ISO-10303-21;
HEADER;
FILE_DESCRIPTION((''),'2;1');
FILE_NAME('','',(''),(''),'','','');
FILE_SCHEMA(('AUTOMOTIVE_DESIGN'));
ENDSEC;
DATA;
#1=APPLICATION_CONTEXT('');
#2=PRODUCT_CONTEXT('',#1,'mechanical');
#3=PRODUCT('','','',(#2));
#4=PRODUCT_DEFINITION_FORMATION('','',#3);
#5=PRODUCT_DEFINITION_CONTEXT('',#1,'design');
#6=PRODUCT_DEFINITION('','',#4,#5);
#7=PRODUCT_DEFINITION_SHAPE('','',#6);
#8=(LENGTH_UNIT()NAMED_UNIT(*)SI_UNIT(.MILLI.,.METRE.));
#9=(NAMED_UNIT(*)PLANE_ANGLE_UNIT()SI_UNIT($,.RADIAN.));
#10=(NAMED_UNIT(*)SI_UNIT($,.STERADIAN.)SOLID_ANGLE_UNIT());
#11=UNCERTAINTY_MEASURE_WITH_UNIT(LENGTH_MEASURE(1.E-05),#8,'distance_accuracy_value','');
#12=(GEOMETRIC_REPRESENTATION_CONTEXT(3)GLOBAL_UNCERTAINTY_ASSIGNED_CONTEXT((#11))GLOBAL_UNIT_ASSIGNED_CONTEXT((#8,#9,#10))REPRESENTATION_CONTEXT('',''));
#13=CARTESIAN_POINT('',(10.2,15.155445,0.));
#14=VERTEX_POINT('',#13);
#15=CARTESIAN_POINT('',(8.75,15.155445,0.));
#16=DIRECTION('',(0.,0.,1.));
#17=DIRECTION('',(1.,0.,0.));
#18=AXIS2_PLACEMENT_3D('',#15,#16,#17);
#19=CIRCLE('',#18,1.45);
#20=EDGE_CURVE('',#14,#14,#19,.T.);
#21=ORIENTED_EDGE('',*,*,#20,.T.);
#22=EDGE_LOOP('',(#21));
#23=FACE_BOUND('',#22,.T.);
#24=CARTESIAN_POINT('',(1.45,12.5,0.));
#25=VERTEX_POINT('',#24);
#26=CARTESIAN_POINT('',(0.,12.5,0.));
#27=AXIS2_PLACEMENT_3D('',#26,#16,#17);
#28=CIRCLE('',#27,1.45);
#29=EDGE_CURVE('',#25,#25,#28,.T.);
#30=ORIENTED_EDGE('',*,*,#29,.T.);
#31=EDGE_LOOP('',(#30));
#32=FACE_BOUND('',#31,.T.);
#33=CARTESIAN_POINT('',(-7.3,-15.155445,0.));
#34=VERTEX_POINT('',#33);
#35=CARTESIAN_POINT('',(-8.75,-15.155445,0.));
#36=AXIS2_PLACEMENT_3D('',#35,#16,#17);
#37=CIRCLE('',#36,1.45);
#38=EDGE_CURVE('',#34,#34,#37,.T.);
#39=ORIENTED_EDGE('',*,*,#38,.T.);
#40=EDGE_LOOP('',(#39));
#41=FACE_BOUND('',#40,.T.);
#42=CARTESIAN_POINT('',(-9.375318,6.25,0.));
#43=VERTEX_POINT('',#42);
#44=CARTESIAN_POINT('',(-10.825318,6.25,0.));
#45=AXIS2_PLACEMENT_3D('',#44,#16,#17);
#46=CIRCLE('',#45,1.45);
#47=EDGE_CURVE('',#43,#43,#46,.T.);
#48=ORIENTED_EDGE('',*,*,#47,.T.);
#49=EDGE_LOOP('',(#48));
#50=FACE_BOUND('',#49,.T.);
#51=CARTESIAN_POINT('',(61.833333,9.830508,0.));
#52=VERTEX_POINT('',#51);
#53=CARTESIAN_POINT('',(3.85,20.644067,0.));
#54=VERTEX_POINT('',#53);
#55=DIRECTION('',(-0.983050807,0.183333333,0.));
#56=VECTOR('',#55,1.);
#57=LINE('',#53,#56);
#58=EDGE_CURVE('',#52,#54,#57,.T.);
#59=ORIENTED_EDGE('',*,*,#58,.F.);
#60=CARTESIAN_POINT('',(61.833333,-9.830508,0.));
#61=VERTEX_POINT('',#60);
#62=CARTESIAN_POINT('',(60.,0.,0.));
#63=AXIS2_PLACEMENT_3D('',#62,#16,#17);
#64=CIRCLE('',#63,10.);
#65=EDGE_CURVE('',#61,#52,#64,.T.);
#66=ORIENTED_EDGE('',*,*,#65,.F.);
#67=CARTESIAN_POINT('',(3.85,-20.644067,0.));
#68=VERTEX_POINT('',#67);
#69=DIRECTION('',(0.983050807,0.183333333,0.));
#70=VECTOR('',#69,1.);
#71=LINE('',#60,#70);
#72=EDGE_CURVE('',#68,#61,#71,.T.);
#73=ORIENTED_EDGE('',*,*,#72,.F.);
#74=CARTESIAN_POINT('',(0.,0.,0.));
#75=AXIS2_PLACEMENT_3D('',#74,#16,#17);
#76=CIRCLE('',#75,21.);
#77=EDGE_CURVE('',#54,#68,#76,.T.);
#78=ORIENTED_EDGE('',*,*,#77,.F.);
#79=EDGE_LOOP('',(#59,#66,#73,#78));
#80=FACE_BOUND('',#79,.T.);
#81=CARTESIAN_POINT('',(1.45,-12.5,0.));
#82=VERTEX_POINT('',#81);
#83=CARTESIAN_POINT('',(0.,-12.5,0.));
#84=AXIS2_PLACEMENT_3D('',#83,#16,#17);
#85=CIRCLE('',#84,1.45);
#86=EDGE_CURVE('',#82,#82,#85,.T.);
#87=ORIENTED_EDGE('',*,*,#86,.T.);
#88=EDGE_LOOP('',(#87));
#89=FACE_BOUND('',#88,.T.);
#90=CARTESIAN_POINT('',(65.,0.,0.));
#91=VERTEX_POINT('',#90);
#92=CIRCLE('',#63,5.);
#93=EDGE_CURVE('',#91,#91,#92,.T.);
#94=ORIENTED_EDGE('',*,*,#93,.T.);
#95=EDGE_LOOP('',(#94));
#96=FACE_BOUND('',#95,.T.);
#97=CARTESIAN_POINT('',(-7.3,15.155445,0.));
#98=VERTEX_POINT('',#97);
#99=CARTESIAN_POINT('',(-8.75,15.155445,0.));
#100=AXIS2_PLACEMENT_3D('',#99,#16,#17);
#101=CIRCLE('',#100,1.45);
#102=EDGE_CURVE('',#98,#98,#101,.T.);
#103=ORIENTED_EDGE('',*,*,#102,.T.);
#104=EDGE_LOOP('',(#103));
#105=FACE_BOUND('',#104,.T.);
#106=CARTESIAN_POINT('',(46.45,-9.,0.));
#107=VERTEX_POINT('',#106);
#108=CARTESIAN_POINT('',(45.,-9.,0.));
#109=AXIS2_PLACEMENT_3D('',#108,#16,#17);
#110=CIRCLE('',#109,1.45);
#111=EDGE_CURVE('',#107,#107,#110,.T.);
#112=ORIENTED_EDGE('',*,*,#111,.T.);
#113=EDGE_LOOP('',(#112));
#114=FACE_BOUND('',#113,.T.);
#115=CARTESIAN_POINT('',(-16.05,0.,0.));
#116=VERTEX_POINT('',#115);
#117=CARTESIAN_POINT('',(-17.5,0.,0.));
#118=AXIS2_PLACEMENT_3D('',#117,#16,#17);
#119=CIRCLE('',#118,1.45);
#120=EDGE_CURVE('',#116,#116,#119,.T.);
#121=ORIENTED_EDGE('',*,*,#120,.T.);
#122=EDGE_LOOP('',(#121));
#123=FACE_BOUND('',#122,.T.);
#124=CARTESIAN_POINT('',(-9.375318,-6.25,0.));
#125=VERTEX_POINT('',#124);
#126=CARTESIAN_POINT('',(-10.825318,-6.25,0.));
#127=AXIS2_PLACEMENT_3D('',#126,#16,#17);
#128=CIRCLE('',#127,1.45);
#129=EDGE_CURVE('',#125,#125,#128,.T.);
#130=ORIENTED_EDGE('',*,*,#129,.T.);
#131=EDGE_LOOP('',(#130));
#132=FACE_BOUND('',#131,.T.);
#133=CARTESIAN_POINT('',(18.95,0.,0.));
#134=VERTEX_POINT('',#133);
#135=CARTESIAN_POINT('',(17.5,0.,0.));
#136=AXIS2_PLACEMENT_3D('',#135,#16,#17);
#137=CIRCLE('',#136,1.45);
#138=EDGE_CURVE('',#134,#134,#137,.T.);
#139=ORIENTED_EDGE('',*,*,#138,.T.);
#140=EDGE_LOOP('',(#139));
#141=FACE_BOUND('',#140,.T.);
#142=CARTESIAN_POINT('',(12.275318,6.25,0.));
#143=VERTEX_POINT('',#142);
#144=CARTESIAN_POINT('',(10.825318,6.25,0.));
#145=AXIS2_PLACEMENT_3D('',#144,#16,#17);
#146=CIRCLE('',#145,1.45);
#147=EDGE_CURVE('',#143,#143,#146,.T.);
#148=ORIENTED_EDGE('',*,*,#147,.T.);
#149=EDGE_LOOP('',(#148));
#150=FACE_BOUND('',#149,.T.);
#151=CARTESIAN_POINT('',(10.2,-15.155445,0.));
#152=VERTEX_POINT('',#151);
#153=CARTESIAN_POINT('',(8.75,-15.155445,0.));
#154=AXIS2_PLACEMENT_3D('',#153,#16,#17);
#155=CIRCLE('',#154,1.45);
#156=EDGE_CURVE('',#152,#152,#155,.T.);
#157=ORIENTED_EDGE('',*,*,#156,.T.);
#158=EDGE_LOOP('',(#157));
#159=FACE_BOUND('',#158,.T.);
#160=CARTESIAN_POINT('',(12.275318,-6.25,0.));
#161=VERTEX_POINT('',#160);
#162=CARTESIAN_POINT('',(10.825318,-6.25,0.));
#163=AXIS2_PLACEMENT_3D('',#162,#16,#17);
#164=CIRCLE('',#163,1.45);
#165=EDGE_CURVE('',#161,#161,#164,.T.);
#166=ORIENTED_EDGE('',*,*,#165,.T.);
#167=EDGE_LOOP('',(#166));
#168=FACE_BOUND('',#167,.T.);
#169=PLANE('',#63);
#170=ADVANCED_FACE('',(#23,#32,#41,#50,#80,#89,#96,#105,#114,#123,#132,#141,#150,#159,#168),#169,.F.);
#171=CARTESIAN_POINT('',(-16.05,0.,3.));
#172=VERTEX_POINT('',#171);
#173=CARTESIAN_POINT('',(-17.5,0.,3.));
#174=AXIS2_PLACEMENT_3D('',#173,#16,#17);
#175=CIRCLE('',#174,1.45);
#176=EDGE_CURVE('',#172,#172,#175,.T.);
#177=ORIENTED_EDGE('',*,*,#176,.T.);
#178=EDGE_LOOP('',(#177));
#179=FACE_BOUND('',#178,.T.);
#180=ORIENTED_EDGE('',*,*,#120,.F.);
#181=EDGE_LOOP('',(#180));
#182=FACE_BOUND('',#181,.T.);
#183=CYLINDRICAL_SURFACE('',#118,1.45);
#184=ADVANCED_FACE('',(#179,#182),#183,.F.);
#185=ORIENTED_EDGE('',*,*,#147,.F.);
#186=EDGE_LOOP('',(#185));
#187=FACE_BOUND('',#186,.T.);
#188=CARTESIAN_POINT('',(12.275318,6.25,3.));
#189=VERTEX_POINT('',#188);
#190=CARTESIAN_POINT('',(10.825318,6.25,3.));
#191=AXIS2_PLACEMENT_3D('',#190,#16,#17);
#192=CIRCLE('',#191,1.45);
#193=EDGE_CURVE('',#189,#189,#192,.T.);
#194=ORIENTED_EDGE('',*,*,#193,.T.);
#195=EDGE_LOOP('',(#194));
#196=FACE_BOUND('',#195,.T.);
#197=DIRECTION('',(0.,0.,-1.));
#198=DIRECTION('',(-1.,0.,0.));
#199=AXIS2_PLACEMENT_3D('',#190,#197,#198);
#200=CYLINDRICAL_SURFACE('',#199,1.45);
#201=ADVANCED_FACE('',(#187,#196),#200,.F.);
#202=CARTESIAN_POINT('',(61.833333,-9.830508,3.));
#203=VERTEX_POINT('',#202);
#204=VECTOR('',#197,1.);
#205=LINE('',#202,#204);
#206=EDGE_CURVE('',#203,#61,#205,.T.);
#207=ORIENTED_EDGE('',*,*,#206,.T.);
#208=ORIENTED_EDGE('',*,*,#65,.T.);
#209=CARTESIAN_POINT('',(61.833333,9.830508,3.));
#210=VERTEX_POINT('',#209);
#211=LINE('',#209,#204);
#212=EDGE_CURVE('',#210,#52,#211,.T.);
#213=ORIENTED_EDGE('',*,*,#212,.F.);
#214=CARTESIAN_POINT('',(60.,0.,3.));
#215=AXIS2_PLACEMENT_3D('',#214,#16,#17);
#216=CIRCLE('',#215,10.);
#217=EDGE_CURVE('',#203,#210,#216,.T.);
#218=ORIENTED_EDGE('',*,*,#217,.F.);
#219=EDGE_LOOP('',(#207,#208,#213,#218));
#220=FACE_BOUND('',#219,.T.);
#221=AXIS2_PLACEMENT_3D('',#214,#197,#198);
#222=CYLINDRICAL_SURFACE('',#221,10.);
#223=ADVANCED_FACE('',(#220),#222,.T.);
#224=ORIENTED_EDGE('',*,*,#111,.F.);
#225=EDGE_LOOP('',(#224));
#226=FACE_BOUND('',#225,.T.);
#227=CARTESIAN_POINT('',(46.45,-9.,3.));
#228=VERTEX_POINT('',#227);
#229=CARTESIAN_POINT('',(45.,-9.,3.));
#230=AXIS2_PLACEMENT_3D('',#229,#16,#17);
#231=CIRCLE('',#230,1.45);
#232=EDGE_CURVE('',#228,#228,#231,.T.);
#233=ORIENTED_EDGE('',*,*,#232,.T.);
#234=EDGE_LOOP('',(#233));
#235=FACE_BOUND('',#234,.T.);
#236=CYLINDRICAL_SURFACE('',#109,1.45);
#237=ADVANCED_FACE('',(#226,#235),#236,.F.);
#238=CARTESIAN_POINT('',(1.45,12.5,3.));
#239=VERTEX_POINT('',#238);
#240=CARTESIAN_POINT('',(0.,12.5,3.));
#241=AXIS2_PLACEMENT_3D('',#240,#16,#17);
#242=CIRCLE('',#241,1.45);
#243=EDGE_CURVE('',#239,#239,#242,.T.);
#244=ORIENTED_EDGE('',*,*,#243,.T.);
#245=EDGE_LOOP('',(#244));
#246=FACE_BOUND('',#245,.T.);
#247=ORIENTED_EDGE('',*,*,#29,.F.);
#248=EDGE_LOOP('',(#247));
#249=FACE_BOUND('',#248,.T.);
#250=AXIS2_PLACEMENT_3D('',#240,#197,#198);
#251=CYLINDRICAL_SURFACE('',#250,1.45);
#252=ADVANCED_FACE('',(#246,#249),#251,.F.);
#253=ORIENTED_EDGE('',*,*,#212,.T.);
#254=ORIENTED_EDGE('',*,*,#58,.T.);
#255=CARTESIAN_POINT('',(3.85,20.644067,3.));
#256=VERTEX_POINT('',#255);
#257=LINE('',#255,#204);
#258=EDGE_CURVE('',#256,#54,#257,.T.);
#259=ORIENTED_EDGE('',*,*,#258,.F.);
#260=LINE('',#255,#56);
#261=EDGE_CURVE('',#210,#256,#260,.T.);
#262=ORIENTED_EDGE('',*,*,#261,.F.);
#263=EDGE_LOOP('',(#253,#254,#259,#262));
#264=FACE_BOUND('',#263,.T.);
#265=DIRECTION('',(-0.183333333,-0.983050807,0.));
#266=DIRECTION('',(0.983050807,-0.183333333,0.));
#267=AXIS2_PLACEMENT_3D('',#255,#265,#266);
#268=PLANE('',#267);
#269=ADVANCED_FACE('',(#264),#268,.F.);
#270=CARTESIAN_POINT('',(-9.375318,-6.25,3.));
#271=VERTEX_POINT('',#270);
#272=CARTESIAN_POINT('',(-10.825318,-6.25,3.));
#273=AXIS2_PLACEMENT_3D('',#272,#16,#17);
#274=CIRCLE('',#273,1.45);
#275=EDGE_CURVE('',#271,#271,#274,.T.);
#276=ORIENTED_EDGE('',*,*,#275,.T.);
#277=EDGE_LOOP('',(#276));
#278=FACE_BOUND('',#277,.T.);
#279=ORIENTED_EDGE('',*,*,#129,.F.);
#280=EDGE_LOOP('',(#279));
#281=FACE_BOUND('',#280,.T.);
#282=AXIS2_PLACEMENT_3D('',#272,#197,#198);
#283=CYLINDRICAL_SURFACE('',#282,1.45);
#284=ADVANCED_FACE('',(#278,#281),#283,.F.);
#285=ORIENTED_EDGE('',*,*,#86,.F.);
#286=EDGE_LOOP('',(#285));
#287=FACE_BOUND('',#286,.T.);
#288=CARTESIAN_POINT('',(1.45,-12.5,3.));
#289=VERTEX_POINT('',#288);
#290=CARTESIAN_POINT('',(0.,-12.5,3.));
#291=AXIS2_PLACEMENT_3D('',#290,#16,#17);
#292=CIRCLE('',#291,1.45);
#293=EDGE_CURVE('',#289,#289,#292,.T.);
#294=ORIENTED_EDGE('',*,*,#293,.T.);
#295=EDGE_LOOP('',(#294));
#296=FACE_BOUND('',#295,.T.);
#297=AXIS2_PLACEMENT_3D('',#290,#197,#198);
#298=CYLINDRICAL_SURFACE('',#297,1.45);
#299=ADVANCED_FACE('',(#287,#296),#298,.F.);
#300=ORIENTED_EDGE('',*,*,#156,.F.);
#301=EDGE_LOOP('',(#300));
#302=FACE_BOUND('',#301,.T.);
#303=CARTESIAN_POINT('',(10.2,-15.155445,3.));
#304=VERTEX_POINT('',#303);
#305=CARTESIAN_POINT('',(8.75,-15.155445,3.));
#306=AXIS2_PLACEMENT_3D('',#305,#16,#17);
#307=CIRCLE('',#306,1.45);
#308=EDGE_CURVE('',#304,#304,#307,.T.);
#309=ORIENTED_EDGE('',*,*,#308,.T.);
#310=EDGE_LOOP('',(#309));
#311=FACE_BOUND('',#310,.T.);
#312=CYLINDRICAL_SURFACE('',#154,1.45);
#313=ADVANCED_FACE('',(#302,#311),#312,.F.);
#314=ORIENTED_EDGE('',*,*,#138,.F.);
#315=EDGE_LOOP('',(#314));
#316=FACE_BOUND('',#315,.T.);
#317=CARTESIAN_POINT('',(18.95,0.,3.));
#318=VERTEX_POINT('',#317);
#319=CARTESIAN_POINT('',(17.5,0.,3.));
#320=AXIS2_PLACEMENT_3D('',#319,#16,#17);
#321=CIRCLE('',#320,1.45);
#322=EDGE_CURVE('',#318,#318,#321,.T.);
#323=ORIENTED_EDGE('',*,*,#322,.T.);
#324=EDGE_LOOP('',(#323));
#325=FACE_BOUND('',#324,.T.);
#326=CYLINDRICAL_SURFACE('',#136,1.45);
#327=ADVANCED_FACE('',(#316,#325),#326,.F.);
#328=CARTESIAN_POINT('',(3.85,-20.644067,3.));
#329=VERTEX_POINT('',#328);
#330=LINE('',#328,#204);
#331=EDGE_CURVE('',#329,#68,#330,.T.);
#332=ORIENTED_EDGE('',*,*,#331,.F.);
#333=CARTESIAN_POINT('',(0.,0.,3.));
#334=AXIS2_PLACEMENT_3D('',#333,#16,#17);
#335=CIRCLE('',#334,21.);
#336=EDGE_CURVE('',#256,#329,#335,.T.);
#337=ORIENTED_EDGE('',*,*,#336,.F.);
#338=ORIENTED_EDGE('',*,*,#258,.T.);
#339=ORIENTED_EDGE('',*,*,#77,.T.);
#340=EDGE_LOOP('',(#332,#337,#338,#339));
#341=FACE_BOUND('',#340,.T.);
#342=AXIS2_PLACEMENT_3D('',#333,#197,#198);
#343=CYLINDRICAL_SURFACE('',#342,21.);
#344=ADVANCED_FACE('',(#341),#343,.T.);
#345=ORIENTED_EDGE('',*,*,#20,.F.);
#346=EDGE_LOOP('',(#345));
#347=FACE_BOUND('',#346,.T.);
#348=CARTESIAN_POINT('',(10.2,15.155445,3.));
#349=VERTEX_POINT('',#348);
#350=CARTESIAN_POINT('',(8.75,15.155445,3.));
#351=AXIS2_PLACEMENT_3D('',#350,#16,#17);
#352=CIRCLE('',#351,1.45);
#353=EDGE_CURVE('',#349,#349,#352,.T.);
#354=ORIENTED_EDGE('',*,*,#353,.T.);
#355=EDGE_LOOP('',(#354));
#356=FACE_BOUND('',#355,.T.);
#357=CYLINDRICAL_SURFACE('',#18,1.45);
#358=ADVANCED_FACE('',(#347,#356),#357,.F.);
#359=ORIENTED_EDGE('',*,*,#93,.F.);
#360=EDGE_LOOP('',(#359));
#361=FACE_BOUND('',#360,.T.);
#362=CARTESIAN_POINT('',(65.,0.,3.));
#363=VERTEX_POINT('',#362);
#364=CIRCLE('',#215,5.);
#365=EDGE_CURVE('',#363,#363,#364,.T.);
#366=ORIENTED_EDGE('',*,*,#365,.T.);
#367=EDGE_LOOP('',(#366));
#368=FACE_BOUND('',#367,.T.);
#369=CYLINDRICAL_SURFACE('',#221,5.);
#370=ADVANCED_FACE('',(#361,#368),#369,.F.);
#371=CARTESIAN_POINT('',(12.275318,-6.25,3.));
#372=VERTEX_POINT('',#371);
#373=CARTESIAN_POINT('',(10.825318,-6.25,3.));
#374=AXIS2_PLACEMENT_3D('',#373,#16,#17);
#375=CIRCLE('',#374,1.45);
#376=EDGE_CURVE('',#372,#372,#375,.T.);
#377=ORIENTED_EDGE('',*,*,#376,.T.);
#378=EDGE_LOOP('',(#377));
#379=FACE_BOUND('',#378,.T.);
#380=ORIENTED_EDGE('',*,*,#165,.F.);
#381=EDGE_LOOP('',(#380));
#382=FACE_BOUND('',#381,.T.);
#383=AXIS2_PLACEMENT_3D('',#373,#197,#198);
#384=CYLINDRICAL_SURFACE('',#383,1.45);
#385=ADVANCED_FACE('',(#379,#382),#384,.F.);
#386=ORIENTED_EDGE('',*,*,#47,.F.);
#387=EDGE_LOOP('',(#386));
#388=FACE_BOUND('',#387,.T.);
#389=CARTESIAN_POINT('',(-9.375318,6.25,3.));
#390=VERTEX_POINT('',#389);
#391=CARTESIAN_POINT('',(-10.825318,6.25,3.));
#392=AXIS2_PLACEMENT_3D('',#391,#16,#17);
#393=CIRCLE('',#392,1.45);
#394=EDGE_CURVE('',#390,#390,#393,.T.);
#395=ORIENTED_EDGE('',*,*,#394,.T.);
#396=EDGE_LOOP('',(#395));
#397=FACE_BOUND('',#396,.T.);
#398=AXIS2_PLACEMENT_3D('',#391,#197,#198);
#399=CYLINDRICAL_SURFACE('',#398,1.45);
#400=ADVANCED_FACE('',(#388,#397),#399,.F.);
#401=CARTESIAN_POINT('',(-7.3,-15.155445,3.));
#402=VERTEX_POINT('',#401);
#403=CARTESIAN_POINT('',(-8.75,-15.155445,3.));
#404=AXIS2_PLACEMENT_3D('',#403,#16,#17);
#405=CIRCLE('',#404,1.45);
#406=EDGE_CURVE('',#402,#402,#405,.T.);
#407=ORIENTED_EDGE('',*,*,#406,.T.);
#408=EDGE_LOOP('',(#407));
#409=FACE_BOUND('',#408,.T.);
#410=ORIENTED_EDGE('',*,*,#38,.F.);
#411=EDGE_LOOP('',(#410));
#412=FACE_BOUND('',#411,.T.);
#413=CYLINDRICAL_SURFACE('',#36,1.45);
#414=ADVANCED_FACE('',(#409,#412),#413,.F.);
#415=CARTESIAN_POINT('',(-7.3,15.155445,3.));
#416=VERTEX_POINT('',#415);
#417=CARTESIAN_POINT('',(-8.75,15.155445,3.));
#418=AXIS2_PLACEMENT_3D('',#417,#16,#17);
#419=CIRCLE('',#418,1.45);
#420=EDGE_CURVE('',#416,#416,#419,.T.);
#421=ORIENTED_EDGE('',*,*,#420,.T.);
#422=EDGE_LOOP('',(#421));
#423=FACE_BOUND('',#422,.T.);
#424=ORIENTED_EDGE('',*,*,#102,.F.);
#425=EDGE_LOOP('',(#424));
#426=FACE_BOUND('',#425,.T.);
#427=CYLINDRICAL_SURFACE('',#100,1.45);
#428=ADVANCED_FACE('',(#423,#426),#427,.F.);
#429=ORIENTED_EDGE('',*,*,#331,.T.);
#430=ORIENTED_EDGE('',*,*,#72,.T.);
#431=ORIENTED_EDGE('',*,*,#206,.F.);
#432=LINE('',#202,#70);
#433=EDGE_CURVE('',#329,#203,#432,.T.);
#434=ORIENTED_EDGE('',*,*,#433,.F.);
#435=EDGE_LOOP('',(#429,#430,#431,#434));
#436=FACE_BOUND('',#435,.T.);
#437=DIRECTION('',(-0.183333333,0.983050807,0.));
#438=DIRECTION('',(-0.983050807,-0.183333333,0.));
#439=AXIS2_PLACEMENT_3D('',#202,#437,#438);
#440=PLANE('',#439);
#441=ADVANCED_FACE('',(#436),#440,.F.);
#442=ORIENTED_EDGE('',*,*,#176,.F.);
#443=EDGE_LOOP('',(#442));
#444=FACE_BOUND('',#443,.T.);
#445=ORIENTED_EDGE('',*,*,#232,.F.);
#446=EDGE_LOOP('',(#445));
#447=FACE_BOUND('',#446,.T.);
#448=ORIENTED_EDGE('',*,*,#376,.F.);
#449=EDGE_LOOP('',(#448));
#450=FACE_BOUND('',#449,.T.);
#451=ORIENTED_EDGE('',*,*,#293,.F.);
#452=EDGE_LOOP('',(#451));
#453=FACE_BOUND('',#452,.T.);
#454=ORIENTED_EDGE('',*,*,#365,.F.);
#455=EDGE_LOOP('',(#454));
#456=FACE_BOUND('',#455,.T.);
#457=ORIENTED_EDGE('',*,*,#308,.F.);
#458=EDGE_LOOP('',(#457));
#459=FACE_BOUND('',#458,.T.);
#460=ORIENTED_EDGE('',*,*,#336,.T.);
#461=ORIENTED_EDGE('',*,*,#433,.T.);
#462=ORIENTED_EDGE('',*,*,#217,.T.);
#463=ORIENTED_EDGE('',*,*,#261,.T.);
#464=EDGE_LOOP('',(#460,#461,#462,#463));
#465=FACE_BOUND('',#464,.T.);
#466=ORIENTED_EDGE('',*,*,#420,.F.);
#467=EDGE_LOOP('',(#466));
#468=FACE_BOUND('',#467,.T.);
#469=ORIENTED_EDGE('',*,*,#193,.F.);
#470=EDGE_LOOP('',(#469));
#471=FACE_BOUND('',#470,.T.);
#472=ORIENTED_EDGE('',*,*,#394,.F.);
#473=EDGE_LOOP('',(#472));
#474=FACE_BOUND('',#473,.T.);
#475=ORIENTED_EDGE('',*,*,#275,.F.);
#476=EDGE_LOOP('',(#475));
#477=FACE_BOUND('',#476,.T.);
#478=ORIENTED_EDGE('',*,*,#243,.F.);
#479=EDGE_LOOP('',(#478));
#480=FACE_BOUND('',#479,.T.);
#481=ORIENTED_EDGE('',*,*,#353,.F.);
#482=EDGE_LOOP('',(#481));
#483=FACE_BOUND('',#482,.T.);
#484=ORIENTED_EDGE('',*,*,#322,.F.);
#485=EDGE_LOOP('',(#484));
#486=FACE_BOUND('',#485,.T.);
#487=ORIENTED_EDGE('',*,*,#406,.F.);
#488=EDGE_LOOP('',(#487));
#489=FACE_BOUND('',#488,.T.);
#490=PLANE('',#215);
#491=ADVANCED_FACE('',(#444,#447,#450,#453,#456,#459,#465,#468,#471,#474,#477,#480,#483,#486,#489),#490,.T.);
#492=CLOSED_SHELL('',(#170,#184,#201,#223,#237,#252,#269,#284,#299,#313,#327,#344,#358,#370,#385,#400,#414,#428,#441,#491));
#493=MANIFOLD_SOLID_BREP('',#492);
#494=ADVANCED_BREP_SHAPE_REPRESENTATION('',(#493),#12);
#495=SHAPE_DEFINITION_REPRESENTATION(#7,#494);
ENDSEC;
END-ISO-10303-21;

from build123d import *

# Parameters (mm, degrees)
SKETCH_1_R          = 5
SKETCH_1_R_2        = 1.45
EXTRUDE_1_DEPTH     = 3
SKETCH_2_R          = 1.45
CUT_EXTRUDE_1_DEPTH = 74.143694192


with BuildPart() as part:
    # 草图1 → 凸台-拉伸1 (new body)
    with BuildSketch(Plane.XY):
        with BuildLine():
            Line((61.833333333, -9.830508069), (3.85, -20.644066944))
            ThreePointArc((3.85, -20.644066944), (-21, 0), (3.85, 20.644066944))
            Line((3.85, 20.644066944), (61.833333333, 9.830508069))
            ThreePointArc((61.833333333, 9.830508069), (70, 0), (61.833333333, -9.830508069))
        make_face()
        with Locations((60, 0)):
            Circle(SKETCH_1_R, mode=Mode.SUBTRACT)
        with Locations((0, 12.5)):
            Circle(SKETCH_1_R_2, mode=Mode.SUBTRACT)
        with Locations((10.825317547, 6.25)):
            Circle(SKETCH_1_R_2, mode=Mode.SUBTRACT)
        with Locations((10.825317547, -6.25)):
            Circle(SKETCH_1_R_2, mode=Mode.SUBTRACT)
        with Locations((0, -12.5)):
            Circle(SKETCH_1_R_2, mode=Mode.SUBTRACT)
        with Locations((-10.825317547, -6.25)):
            Circle(SKETCH_1_R_2, mode=Mode.SUBTRACT)
        with Locations((-10.825317547, 6.25)):
            Circle(SKETCH_1_R_2, mode=Mode.SUBTRACT)
    extrude(amount=EXTRUDE_1_DEPTH)

    # 草图2 → 切除-拉伸1 (cut, through all)
    with BuildSketch(Plane.XY.offset(3)):
        with Locations((8.75, 15.155444566)):
            Circle(SKETCH_2_R)
        with Locations((17.5, 0)):
            Circle(SKETCH_2_R)
        with Locations((8.75, -15.155444566)):
            Circle(SKETCH_2_R)
        with Locations((-8.75, -15.155444566)):
            Circle(SKETCH_2_R)
        with Locations((-17.5, 0)):
            Circle(SKETCH_2_R)
        with Locations((-8.75, 15.155444566)):
            Circle(SKETCH_2_R)
        with Locations((45, -9)):
            Circle(SKETCH_2_R)
    extrude(amount=-CUT_EXTRUDE_1_DEPTH, mode=Mode.SUBTRACT)


solid = part.part
